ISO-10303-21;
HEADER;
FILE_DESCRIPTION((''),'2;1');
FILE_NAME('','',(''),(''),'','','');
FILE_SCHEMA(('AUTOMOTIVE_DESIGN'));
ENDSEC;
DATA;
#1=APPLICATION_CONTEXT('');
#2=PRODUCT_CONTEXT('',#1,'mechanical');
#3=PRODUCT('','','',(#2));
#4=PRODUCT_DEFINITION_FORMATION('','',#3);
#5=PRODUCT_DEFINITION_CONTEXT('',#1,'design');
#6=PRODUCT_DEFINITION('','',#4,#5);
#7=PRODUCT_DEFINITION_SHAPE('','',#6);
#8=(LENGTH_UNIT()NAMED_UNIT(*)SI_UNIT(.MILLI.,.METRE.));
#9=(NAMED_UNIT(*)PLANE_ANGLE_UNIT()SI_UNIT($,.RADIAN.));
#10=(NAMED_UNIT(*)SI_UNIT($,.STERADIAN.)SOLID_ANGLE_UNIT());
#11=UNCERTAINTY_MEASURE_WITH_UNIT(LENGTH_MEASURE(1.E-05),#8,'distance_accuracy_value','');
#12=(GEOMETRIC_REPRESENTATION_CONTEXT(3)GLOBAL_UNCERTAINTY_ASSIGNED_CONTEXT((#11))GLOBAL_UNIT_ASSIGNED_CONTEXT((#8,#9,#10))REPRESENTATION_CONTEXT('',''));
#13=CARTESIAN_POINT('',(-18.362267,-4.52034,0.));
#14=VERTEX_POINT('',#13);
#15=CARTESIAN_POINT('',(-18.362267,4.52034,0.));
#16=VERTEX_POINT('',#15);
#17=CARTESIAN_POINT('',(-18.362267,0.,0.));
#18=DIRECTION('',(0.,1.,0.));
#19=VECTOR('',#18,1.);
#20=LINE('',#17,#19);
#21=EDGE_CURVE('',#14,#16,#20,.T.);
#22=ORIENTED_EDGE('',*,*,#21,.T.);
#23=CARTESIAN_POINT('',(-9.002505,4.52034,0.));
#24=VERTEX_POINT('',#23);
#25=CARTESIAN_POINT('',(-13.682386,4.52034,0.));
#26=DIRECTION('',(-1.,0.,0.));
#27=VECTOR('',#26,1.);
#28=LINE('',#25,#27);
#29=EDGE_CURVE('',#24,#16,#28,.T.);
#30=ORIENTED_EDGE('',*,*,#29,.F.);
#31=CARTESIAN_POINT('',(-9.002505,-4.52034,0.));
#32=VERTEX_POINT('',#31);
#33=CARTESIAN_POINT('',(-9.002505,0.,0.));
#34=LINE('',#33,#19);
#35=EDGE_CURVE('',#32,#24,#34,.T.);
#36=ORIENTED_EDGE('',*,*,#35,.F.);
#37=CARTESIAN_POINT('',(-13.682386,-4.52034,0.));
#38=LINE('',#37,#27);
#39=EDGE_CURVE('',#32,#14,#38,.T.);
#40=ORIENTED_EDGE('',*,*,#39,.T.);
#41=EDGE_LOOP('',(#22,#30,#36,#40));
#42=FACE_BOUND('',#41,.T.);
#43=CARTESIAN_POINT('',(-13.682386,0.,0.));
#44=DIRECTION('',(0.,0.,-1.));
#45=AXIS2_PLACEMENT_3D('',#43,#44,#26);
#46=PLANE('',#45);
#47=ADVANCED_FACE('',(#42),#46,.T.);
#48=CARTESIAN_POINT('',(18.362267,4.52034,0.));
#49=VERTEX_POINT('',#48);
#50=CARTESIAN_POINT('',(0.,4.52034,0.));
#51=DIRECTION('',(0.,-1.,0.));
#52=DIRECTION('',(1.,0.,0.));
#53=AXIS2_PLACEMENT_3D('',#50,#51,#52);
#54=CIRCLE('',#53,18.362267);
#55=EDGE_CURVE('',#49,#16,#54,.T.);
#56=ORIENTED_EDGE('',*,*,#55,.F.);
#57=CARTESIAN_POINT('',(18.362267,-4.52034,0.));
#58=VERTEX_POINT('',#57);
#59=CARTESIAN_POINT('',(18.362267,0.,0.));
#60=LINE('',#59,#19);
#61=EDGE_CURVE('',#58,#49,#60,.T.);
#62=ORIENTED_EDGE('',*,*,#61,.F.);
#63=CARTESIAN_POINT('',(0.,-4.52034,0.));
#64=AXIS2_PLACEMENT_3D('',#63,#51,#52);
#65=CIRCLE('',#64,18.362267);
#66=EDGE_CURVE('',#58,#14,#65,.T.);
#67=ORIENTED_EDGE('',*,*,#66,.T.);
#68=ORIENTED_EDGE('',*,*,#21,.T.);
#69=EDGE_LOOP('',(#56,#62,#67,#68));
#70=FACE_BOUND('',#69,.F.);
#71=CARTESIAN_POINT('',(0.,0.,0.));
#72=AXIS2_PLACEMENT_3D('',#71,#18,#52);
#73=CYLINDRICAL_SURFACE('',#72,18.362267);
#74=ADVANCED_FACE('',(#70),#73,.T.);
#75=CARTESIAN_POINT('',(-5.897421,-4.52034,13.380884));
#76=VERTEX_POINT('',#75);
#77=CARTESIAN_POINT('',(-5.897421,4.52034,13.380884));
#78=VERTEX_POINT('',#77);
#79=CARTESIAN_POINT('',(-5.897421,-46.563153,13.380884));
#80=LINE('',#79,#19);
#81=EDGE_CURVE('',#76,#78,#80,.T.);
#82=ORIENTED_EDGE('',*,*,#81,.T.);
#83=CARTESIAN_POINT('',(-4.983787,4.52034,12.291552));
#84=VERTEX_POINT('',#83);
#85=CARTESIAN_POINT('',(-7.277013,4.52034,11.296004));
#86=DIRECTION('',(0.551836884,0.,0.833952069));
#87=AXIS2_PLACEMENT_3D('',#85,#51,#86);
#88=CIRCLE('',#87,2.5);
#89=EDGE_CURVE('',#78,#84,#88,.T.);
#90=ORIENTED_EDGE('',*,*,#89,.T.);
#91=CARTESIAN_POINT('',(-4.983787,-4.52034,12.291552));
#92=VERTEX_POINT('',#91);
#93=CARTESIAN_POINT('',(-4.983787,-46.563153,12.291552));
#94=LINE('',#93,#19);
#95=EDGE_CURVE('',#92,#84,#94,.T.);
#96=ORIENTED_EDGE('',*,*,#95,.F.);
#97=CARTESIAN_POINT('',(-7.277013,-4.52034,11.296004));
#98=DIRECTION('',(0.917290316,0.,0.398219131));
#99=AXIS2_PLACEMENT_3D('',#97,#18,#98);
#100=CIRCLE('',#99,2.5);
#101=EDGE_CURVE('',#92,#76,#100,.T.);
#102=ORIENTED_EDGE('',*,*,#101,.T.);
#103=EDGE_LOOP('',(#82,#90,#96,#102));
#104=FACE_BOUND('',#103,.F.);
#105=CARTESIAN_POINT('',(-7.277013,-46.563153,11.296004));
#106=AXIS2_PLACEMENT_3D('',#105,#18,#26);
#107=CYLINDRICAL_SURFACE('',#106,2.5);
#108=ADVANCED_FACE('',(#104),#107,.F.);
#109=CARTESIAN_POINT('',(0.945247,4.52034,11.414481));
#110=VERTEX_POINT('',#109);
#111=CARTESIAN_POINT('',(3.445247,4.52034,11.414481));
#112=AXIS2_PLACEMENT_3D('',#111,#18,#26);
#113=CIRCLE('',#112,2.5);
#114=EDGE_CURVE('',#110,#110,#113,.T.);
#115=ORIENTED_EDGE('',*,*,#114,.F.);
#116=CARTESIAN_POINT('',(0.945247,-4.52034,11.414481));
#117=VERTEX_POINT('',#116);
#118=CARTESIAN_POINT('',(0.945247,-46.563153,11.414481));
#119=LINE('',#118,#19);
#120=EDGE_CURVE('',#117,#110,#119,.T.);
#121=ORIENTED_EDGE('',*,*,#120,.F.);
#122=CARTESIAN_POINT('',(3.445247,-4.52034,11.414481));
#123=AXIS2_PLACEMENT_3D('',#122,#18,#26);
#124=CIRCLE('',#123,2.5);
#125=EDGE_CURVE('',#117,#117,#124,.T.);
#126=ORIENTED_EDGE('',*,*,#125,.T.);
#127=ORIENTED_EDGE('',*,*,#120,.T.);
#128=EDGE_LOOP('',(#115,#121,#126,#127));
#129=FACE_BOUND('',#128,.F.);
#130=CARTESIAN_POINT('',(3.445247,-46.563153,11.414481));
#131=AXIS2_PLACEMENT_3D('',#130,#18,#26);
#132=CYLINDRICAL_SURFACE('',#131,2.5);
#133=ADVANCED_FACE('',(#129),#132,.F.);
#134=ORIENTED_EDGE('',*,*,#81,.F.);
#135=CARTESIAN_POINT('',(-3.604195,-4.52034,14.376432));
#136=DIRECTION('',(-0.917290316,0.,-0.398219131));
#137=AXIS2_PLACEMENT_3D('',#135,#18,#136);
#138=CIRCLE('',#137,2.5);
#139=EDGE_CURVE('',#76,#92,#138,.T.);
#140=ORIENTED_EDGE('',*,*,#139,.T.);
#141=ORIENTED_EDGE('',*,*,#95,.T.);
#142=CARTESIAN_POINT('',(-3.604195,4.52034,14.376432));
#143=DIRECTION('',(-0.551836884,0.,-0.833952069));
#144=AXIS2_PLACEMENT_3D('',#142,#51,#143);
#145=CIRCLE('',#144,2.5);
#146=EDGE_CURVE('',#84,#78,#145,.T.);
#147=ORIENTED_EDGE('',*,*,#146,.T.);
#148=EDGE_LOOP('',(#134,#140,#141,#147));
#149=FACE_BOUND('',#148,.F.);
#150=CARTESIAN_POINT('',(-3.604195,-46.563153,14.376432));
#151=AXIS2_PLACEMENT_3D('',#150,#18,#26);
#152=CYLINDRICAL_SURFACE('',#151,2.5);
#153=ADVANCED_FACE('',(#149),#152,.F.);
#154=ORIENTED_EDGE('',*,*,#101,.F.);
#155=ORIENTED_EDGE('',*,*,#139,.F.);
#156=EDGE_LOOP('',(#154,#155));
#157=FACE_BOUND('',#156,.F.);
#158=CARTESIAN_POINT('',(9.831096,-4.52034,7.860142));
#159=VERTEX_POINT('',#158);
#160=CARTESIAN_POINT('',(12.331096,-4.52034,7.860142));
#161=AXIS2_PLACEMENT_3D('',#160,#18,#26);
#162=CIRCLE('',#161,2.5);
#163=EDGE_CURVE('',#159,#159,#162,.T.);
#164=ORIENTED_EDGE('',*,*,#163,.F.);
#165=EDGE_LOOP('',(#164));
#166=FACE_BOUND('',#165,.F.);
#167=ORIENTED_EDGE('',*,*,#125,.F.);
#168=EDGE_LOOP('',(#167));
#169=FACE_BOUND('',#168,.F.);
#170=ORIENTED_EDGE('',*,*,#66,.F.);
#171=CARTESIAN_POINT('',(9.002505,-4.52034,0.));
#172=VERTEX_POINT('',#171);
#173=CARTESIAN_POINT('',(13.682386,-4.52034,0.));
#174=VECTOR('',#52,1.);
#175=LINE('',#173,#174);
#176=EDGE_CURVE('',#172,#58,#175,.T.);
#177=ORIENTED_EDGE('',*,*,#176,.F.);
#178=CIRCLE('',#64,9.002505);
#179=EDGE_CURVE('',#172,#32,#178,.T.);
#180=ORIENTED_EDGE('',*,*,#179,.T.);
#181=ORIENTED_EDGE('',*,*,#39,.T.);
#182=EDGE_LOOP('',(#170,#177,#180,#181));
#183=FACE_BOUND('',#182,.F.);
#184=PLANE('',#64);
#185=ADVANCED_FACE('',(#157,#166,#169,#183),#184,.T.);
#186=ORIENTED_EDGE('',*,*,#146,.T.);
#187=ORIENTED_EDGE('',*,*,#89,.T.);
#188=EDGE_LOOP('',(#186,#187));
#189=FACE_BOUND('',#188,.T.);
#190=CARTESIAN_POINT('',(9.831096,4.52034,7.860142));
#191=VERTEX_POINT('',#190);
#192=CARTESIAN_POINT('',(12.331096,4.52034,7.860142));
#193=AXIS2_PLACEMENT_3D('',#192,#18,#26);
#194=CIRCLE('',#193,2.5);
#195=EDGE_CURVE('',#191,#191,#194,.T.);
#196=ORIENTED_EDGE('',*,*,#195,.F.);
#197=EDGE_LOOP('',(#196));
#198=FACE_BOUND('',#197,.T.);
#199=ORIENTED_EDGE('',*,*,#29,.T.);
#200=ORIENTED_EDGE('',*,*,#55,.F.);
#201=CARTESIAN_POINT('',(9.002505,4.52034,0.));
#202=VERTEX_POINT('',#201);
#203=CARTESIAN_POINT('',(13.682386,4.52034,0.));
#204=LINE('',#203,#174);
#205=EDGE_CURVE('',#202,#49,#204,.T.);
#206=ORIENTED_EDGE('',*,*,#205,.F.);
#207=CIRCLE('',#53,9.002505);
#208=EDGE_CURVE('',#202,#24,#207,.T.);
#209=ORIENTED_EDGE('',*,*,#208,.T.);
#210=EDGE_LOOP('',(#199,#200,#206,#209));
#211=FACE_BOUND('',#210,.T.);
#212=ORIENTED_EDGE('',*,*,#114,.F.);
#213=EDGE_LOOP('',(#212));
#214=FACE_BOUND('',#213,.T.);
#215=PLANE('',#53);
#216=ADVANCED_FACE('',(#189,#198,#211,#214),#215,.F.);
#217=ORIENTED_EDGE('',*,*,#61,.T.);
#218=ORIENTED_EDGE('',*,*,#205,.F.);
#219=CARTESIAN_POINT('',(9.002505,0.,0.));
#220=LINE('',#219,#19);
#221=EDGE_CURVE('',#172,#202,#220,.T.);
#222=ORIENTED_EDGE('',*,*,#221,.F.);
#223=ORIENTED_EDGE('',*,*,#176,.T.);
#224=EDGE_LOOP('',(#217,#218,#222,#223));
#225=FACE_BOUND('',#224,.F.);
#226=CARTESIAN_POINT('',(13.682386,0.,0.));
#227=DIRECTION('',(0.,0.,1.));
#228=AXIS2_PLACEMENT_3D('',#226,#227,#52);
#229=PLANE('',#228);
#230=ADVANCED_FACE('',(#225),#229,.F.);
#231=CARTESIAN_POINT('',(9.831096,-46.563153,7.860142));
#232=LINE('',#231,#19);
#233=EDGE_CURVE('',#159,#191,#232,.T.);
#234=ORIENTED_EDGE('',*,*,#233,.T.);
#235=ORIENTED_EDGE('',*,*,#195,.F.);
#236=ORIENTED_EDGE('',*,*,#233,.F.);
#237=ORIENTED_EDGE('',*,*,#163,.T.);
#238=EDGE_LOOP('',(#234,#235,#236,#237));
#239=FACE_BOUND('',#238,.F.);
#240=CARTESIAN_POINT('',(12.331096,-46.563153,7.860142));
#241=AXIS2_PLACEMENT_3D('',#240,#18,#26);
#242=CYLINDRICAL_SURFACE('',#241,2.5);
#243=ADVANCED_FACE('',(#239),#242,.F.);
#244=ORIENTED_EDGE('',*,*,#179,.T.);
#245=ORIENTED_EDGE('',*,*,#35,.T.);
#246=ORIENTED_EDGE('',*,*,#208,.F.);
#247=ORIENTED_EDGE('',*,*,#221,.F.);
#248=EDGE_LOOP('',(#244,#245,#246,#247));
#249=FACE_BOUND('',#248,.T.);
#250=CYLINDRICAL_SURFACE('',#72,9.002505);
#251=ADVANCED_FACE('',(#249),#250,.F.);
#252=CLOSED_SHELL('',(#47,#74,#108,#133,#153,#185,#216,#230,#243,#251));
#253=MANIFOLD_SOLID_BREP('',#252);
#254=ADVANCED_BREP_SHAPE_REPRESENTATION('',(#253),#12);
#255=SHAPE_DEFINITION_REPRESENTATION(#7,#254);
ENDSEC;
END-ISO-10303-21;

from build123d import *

# Parameters (mm, degrees)
F0_W     = 9.359762
F0_H     = 9.04068
F1_ANGLE = 180
F3_D     = 5


with BuildPart() as f1:
    # F0 (on Top) → F1 (revolve)
    with BuildSketch(Plane.XY):
        with Locations((13.682386, 0)):
            Rectangle(F0_W, F0_H)
    revolve(axis=Axis((0, 1.968751, 0), (0, -1, 0)), revolution_arc=F1_ANGLE)

    # F3 (through all)
    with Locations(Plane.XZ.offset(4.52034)):
        with Locations((-7.277013, 11.296004), (-3.604195, 14.376432), (3.445247, 11.414481), (12.331096, 7.860142)):
            Hole(F3_D / 2)


solid = f1.part
